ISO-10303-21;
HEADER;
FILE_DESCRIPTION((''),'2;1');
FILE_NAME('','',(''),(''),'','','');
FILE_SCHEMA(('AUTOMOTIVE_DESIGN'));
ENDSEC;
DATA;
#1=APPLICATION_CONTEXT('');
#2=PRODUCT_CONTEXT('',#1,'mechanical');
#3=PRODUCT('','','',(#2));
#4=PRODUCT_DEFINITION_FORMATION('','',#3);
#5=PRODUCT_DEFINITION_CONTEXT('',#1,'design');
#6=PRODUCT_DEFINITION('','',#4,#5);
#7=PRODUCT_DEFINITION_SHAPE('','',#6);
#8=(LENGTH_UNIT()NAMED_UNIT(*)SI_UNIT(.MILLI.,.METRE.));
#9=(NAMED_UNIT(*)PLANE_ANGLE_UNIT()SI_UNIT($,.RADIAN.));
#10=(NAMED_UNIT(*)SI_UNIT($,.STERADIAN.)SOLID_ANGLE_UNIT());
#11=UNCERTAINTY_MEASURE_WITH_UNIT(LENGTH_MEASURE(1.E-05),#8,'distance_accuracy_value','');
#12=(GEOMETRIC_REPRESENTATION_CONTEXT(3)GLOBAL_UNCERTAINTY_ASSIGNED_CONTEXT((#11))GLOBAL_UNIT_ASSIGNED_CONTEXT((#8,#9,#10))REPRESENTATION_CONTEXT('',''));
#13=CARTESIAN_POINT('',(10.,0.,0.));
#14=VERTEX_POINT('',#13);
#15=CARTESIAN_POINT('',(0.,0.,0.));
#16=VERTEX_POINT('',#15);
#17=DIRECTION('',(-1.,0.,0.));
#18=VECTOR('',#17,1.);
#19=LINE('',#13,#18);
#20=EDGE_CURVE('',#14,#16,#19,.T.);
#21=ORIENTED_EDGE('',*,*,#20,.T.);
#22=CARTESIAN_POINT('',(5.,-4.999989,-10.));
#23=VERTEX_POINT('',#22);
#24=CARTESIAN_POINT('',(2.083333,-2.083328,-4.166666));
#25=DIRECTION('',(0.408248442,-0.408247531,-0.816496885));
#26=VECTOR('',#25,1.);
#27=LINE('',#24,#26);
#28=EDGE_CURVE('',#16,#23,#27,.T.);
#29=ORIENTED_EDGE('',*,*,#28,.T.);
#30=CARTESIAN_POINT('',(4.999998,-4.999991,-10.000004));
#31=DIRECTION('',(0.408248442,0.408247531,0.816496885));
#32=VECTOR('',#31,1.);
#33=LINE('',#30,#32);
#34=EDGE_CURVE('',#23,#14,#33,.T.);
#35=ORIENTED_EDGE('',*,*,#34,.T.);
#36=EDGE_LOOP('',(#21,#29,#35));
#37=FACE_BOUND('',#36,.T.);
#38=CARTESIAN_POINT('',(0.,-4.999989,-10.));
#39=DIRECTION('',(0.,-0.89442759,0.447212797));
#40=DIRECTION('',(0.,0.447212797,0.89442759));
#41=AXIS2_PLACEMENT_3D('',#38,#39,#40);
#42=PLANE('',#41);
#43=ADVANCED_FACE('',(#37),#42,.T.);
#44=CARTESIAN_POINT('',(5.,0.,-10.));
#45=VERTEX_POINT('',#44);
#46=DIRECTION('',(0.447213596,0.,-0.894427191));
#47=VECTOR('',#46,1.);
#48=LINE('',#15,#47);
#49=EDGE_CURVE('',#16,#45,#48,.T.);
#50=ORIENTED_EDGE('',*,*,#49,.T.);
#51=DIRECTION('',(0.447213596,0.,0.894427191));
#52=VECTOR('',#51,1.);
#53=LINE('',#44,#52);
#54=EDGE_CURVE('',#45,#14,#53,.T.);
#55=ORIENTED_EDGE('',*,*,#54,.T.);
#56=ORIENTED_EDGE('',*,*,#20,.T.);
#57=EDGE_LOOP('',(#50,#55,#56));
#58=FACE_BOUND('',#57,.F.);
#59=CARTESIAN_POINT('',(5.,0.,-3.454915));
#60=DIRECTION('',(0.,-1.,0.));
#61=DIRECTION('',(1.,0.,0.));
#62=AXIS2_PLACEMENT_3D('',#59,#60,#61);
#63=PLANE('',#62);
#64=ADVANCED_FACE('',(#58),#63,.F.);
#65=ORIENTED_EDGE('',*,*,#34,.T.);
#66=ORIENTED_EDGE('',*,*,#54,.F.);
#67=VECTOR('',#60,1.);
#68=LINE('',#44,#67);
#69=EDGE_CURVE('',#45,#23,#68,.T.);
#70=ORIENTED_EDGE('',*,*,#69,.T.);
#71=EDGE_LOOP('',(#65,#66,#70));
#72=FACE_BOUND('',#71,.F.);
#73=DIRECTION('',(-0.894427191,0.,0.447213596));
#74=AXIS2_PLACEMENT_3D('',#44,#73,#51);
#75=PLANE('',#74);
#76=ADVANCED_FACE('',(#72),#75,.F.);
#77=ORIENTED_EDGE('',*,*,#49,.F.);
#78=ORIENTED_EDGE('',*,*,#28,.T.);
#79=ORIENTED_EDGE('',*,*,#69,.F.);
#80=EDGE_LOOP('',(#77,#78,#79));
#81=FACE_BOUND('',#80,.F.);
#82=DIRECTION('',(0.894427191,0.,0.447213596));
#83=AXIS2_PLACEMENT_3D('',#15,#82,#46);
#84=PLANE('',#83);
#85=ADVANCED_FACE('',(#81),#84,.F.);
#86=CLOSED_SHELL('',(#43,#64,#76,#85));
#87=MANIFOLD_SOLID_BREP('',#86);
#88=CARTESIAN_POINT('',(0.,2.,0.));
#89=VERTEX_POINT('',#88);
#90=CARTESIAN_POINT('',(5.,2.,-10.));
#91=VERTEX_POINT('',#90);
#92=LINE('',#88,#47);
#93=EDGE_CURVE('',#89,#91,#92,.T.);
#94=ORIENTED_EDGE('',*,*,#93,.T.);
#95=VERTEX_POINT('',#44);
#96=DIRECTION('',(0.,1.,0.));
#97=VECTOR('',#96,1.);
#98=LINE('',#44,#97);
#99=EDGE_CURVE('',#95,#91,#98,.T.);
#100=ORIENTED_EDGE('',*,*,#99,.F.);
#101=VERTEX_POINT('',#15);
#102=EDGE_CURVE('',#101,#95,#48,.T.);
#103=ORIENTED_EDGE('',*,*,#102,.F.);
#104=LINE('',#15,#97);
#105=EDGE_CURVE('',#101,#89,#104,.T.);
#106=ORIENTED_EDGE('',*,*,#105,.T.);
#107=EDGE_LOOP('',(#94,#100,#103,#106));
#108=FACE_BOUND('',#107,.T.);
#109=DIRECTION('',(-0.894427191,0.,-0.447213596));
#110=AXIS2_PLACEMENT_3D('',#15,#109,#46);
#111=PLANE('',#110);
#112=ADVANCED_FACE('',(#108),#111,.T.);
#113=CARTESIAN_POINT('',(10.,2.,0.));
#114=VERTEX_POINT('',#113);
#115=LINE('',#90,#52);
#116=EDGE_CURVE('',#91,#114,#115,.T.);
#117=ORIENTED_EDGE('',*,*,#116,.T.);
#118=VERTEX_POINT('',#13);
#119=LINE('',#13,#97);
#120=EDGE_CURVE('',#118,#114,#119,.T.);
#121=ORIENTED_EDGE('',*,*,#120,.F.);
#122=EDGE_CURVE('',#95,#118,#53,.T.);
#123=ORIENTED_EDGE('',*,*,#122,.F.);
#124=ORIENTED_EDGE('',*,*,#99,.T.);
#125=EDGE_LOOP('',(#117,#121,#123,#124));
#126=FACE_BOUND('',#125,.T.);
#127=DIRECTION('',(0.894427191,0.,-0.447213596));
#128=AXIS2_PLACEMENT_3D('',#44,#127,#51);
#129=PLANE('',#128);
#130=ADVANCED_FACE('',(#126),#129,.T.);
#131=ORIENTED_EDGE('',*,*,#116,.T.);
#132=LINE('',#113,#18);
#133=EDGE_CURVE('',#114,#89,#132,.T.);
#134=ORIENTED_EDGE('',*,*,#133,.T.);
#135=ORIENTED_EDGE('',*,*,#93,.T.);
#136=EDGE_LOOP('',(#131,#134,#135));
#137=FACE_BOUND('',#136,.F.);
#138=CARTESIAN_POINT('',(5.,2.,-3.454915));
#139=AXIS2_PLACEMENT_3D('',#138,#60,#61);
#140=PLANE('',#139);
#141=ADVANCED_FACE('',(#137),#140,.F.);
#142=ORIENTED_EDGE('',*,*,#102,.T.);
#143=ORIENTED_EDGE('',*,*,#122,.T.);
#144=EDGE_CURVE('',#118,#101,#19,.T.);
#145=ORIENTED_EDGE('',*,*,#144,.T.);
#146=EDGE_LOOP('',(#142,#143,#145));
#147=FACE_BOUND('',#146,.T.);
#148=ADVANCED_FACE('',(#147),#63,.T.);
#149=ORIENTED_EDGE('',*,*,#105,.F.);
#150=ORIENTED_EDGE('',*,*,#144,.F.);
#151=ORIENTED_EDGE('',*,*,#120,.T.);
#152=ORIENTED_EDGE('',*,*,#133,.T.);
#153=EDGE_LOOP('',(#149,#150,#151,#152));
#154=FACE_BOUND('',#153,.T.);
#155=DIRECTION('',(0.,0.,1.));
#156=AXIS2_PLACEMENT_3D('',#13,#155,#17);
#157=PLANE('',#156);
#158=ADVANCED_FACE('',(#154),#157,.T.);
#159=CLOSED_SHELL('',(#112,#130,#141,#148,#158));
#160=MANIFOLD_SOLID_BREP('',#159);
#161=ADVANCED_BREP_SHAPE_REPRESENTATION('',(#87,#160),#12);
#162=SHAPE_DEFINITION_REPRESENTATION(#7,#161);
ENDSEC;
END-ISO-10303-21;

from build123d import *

# Parameters (mm, degrees)
F2_DEPTH = 2
F3_DEPTH = 10
F4_DEPTH = 10.001


with BuildPart() as f2:
    # F0 (on Front) → F2 (new body)
    with BuildSketch(Plane.XZ):
        Polygon((5, 0), (0, 0), (5, -10), (10, 0), align=None)
        Polygon((1.6180339887, -1), (5, -1), (8.3819660113, -1), (5, -7.7639320225), align=None, mode=Mode.SUBTRACT)
        Polygon((8.3819660113, -1), (5, -1), (1.6180339887, -1), (5, -7.7639320225), align=None)
    extrude(amount=-F2_DEPTH)


with BuildPart() as f3:
    # F0 (on Front) → F3 (new body)
    with BuildSketch(Plane.XZ):
        Polygon((5, 0), (0, 0), (5, -10), (10, 0), align=None)
        Polygon((1.6180339887, -1), (5, -1), (8.3819660113, -1), (5, -7.7639320225), align=None, mode=Mode.SUBTRACT)
        Polygon((8.3819660113, -1), (5, -1), (1.6180339887, -1), (5, -7.7639320225), align=None)
    extrude(amount=F3_DEPTH)

    # F1 (on Right) → F4 (cut, through all)
    with BuildSketch(Plane.YZ):
        Polygon((-4.9999888349, -10), (0, 0), (-20.0761053711, 0), (-20.0761053711, -10), (-15, -10), align=None)
    extrude(amount=F4_DEPTH, mode=Mode.SUBTRACT)


solid = Compound([f2.part, f3.part])
